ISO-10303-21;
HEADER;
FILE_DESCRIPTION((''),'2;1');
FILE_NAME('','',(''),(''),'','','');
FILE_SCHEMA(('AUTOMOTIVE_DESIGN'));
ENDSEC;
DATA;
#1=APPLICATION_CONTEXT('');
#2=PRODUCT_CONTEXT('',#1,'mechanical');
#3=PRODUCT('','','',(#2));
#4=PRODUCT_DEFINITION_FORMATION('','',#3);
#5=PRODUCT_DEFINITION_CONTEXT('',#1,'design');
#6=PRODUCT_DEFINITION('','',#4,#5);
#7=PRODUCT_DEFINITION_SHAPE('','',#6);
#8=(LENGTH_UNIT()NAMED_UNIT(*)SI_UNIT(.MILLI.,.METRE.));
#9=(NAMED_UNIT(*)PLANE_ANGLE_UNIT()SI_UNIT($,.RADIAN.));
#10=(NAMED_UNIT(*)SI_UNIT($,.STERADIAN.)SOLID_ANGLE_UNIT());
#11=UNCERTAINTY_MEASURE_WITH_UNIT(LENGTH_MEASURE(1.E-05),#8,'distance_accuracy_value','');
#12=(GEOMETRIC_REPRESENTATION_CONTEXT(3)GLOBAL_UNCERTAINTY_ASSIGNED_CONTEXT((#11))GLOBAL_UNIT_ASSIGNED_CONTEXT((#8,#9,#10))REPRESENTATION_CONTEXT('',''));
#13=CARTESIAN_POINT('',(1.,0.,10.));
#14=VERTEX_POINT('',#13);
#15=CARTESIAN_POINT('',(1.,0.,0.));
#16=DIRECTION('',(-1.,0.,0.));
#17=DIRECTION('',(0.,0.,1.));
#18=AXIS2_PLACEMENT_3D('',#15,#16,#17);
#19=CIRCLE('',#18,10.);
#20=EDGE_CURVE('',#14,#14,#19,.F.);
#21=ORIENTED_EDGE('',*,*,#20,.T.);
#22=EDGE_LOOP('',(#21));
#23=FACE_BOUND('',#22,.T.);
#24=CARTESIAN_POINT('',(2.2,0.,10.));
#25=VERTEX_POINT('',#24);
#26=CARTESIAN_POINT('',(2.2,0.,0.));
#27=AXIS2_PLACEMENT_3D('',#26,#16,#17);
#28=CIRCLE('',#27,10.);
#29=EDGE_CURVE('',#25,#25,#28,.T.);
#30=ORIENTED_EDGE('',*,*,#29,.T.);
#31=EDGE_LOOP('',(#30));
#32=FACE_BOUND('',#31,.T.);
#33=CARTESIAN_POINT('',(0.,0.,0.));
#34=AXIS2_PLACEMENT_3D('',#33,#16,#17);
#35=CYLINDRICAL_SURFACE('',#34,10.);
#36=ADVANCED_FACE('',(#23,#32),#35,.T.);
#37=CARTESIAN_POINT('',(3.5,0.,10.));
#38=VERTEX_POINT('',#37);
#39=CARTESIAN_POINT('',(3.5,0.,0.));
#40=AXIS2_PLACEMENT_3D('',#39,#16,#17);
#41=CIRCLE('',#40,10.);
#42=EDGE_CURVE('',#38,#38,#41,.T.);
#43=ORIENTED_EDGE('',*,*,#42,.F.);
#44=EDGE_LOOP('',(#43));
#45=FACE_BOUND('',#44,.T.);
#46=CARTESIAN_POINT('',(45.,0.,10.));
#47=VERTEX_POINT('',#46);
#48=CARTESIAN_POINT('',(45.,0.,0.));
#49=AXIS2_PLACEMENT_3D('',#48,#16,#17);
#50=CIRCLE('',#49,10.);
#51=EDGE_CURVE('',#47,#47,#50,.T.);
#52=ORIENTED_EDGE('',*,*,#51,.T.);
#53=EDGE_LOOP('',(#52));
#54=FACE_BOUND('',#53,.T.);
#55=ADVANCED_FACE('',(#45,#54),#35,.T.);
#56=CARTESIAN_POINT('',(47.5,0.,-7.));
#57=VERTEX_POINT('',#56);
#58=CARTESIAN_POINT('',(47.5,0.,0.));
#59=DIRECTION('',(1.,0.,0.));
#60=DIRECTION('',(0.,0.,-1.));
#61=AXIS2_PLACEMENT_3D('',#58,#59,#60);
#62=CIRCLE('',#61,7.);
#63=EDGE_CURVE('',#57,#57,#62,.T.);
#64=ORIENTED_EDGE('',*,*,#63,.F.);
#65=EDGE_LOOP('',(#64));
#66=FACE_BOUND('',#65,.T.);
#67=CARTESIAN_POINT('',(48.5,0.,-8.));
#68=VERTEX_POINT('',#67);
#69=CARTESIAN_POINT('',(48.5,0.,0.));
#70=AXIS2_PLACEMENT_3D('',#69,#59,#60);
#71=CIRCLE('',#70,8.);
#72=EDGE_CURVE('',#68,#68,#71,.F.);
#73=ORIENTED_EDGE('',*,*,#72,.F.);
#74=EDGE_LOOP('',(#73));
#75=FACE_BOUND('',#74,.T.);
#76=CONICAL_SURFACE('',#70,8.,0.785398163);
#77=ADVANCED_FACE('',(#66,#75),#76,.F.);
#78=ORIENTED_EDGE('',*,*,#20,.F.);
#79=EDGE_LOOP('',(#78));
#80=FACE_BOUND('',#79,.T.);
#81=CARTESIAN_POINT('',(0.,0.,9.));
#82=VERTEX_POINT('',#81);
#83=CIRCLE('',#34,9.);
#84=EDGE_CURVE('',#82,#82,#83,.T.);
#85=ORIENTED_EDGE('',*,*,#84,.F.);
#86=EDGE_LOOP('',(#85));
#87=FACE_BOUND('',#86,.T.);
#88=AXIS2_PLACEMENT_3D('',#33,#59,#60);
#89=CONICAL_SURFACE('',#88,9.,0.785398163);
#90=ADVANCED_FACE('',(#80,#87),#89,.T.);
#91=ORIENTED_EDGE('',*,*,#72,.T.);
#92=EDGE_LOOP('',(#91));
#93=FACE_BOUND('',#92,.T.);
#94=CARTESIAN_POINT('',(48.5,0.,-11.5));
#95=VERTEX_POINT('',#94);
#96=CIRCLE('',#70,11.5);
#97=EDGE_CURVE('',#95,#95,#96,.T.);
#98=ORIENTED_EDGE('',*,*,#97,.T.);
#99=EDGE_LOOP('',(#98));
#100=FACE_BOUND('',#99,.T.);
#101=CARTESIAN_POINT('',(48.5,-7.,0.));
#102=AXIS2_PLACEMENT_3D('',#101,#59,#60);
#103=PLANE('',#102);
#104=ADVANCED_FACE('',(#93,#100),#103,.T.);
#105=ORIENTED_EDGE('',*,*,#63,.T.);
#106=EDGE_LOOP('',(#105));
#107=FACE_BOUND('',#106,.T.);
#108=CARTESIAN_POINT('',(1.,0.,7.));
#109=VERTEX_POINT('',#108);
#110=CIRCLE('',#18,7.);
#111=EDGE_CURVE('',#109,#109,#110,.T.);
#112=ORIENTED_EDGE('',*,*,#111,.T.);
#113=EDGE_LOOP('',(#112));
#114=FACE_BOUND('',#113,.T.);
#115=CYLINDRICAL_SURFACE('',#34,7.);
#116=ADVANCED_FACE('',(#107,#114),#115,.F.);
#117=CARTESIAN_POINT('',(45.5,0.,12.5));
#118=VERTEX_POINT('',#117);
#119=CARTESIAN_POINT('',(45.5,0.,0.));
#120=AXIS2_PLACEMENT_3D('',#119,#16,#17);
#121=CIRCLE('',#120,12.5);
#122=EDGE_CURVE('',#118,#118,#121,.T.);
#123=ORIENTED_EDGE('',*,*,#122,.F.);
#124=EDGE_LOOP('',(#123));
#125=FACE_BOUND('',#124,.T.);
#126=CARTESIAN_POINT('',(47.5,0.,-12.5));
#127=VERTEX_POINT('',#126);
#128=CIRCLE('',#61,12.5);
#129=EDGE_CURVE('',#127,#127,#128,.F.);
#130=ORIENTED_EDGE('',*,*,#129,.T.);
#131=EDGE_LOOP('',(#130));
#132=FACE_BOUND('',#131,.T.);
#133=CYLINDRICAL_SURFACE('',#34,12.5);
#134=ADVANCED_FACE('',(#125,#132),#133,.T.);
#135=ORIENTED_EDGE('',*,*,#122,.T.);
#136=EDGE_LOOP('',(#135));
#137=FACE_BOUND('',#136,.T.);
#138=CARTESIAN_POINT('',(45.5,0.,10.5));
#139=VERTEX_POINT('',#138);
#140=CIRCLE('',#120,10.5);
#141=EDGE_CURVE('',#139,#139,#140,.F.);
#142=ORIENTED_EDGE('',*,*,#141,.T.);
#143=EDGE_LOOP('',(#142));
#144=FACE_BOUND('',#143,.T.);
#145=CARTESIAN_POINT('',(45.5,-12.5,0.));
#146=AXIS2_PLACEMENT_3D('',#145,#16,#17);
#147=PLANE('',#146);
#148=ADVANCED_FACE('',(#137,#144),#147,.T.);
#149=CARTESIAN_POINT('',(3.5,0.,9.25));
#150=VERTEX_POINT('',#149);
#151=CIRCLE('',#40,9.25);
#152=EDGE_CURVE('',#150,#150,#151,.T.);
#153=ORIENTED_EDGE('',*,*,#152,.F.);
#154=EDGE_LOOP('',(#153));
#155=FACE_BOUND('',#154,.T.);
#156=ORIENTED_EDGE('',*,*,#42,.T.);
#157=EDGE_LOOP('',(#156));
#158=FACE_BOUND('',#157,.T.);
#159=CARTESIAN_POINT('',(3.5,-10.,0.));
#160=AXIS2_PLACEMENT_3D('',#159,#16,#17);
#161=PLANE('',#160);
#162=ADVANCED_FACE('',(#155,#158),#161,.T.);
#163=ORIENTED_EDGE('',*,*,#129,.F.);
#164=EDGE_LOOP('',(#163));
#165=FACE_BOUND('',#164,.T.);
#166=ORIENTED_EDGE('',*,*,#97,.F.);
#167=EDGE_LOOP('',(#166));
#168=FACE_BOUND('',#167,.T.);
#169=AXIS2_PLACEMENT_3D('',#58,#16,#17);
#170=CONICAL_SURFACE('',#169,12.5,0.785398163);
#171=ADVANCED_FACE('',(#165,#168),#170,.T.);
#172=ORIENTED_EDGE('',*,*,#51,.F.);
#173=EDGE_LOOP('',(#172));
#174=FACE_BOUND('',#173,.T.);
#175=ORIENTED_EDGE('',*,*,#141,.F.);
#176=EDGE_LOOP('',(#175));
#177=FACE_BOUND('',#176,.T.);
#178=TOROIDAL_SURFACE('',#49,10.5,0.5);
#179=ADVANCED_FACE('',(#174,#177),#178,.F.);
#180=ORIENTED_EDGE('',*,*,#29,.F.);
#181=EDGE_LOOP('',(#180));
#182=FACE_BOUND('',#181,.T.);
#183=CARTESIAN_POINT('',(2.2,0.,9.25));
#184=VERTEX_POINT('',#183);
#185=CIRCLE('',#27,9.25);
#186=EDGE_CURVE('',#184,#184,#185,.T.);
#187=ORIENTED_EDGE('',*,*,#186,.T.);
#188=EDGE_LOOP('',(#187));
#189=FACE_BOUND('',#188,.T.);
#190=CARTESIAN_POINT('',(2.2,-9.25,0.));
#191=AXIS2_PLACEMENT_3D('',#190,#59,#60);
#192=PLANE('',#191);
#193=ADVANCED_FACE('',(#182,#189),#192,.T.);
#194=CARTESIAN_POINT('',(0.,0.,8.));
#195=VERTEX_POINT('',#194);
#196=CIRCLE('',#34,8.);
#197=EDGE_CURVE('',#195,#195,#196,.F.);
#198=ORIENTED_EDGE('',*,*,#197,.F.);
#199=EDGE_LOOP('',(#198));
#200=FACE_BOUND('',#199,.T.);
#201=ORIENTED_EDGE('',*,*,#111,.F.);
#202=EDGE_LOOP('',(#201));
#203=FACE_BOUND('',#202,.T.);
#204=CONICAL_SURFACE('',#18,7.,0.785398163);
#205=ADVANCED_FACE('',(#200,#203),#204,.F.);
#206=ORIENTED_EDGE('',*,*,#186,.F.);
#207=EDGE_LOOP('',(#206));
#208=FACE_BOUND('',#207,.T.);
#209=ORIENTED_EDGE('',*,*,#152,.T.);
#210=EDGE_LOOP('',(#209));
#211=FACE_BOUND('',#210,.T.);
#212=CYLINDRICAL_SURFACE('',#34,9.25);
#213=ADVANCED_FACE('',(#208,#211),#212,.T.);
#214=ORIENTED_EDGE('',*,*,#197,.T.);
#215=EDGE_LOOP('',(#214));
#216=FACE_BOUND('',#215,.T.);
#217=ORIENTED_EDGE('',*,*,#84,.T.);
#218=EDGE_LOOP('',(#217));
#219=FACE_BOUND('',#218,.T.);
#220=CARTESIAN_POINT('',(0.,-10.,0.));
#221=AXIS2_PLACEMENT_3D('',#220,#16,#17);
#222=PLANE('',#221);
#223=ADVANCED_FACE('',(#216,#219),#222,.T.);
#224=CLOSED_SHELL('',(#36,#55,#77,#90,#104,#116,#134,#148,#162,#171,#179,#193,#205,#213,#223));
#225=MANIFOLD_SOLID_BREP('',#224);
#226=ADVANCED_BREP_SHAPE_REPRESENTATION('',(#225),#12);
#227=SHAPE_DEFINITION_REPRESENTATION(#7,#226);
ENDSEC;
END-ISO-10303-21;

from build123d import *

# Parameters (mm, degrees)
CHAMFER1_SIZE = 1
FILLET1_R     = 0.5


with BuildPart() as part:
    # Sketch1 → Revolve1 (revolve)
    with BuildSketch(Plane.XY, mode=Mode.PRIVATE) as revolve1_sk:
        Polygon((0, -7), (48.5, -7), (48.5, -12.5), (45.5, -12.5), (45.5, -10), (3.5, -10), (3.5, -9.25), (2.2, -9.25), (2.2, -10), (0, -10), align=None)
    revolve(revolve1_sk.sketch.rotate(Axis((0, 0, 0), (1, 0, 0)), 270), axis=Axis((0, 0, 0), (1, 0, 0)))

    # Chamfer1
    chamfer1_edges = [part.edges().sort_by_distance(p)[0] for p in [
        (48.5, 0, -12.5),
        (48.5, 0, -7),
        (0, 0, -7),
        (0, 0, -10),
    ]]
    chamfer(chamfer1_edges, length=CHAMFER1_SIZE)

    # Fillet1
    fillet1_edges = [part.edges().sort_by_distance(p)[0] for p in [
        (45.5, 0, -10),
    ]]
    fillet(fillet1_edges, radius=FILLET1_R)


solid = part.part
